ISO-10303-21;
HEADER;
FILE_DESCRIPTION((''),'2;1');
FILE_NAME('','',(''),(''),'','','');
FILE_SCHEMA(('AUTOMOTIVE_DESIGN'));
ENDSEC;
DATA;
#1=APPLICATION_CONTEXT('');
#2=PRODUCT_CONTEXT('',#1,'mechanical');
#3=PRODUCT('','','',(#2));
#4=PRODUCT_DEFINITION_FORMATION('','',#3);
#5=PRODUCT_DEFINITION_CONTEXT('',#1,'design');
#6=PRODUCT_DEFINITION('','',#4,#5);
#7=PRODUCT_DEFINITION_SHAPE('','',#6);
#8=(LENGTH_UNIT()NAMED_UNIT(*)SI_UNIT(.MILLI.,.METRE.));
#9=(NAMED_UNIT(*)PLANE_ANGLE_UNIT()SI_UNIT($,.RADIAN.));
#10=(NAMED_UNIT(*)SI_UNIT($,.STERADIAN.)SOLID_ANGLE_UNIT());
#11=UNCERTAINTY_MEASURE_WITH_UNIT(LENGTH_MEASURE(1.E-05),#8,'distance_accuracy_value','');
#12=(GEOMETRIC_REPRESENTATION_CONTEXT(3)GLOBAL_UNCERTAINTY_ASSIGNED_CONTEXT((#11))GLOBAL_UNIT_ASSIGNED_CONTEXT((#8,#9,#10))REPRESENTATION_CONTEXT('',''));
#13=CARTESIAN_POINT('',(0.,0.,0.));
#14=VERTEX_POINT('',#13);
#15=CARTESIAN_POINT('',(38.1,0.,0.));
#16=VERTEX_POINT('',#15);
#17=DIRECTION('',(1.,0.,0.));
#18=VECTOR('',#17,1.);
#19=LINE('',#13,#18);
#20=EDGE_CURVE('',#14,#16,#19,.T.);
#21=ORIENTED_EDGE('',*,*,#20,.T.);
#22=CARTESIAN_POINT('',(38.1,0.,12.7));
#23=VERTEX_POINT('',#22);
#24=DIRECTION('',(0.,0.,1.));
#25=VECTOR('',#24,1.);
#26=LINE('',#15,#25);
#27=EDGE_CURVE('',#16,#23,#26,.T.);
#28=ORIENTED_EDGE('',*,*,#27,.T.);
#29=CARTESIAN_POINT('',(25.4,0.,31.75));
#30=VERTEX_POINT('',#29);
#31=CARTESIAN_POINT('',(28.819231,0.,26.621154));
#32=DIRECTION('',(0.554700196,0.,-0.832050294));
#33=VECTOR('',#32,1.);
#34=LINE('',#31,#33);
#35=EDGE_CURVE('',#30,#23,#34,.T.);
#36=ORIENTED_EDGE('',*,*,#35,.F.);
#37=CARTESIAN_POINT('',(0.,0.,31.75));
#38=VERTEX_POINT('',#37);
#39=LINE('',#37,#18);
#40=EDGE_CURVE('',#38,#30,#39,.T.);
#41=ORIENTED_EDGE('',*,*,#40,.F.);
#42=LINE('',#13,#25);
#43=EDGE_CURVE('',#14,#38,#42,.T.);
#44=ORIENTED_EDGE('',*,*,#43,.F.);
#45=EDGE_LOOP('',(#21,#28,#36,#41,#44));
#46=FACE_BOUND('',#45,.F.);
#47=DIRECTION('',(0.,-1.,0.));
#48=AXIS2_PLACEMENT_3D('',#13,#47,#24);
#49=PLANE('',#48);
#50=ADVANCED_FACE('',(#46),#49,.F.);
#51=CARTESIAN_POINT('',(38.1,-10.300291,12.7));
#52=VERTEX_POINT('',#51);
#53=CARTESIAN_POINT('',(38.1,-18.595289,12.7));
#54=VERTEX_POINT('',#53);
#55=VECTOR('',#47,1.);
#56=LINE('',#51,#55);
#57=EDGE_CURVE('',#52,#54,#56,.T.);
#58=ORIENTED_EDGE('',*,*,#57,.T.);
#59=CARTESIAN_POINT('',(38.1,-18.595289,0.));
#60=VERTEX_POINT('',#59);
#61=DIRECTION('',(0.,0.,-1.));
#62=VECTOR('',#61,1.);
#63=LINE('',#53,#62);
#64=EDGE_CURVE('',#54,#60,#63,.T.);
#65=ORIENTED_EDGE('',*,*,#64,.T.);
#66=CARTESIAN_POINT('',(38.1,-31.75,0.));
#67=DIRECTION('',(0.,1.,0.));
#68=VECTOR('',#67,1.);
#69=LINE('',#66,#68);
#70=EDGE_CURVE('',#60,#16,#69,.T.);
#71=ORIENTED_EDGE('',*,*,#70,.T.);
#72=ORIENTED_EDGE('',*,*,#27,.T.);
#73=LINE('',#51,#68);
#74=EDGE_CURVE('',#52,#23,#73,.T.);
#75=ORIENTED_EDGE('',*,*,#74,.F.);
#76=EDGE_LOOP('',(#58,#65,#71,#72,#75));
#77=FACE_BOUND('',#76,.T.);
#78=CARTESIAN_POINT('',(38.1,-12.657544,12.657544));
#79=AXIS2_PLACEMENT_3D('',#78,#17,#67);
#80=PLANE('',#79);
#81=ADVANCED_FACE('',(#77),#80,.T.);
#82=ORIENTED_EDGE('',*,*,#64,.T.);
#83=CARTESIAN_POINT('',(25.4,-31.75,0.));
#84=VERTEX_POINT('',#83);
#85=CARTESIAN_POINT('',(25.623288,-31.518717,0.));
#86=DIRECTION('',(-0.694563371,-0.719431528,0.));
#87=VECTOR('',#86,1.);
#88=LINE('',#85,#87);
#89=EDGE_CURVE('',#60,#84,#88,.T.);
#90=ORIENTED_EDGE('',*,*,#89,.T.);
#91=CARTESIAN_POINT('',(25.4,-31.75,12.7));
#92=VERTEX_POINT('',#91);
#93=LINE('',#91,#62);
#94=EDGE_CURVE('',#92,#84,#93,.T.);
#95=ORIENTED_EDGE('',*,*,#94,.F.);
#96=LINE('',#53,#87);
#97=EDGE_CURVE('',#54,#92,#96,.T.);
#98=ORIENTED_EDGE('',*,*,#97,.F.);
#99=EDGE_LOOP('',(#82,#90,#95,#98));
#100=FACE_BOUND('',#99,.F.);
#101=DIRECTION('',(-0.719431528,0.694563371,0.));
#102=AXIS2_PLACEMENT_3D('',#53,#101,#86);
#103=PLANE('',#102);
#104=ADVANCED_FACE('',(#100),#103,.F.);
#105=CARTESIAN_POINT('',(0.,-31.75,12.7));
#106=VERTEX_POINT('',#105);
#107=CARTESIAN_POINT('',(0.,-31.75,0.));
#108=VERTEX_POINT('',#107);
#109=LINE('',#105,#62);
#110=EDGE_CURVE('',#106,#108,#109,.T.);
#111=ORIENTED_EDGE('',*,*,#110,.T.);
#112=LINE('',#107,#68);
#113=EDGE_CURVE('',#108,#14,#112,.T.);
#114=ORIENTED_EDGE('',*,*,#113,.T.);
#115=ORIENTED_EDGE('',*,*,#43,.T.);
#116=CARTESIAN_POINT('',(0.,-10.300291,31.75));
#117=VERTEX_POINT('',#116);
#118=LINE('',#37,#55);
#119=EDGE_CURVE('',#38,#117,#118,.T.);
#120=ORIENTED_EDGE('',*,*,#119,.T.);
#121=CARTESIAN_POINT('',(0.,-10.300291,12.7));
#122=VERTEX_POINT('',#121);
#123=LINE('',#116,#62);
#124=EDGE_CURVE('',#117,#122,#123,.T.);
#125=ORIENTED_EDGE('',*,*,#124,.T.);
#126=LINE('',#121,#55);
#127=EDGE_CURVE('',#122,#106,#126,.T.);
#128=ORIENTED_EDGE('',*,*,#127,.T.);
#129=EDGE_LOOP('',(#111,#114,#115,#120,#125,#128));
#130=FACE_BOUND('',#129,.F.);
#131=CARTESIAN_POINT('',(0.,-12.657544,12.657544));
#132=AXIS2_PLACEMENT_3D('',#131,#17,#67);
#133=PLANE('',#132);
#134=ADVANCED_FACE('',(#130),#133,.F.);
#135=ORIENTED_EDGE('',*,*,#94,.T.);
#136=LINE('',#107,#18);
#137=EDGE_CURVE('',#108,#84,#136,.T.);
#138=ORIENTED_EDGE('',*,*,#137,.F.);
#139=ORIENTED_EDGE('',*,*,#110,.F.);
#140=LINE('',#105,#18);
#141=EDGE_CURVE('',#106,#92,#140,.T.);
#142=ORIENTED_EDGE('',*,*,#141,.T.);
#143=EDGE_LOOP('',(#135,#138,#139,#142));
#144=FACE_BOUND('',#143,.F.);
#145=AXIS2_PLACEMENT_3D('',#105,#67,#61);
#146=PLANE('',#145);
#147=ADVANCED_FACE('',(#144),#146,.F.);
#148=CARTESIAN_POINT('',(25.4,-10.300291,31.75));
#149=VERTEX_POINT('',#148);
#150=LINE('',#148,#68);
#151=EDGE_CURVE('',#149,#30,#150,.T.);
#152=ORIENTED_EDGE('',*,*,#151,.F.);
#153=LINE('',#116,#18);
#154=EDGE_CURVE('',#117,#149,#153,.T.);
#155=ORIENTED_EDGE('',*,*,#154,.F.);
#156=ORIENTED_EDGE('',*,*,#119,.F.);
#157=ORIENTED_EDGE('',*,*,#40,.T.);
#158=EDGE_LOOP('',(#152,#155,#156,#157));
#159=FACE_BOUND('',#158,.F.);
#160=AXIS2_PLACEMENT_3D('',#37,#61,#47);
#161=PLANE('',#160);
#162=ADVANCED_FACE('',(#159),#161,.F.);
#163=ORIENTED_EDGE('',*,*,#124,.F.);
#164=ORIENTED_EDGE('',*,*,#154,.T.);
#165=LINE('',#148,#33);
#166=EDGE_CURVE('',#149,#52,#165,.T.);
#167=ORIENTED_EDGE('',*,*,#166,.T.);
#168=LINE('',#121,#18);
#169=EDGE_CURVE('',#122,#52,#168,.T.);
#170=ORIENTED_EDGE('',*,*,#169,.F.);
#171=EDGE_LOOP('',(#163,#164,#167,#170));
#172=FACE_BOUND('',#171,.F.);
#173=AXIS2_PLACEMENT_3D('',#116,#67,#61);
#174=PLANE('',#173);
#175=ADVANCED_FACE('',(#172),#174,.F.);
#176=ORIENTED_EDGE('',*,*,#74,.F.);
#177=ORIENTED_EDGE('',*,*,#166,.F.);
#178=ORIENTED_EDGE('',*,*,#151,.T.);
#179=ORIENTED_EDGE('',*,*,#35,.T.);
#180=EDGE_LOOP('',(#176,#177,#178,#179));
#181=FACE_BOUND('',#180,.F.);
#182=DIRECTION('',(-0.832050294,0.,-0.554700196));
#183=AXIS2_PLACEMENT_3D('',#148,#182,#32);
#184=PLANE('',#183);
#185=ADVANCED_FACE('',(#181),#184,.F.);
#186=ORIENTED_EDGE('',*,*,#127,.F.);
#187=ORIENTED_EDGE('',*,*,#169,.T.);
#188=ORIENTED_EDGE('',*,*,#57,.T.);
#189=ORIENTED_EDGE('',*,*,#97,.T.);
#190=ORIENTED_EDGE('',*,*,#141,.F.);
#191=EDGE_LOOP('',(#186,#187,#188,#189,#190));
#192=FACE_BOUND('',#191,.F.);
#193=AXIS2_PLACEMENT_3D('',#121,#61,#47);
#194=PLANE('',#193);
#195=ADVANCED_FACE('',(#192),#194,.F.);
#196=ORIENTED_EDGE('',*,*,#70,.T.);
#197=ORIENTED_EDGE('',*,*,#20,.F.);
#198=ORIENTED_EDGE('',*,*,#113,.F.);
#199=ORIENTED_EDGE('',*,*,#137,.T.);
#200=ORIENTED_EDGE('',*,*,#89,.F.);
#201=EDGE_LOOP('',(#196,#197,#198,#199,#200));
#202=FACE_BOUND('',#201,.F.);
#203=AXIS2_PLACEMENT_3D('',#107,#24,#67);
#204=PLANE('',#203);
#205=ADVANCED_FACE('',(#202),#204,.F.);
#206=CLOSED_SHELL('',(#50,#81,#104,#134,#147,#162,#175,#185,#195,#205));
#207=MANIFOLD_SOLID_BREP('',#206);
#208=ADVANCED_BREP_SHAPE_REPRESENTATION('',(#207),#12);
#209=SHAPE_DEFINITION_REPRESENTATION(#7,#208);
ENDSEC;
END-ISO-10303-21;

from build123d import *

# Parameters (mm, degrees)
F2_DEPTH = 38.1
F4_DEPTH = 10.301291
F6_DEPTH = 12.701


with BuildPart() as f2:
    # F0 (on Right) → F2 (new body)
    with BuildSketch(Plane.YZ):
        Polygon((-31.75, 0), (0, 0), (0, 31.75), (-10.300291, 31.75), (-10.300291, 12.7), (-31.75, 12.7), align=None)
    extrude(amount=F2_DEPTH)

    # F3 (on face) → F4 (cut, through all)
    with BuildSketch(Plane.XZ.offset(10.300291)):
        Polygon((38.1, 31.75), (25.4, 31.75), (38.1, 12.7), align=None)
    extrude(amount=-F4_DEPTH, mode=Mode.SUBTRACT)

    # F5 (on face) → F6 (cut, through all)
    with BuildSketch(Plane.XY.offset(12.7)):
        Polygon((38.1, -31.75), (38.1, -18.595289), (25.4, -31.75), align=None)
    extrude(amount=-F6_DEPTH, mode=Mode.SUBTRACT)


solid = f2.part
